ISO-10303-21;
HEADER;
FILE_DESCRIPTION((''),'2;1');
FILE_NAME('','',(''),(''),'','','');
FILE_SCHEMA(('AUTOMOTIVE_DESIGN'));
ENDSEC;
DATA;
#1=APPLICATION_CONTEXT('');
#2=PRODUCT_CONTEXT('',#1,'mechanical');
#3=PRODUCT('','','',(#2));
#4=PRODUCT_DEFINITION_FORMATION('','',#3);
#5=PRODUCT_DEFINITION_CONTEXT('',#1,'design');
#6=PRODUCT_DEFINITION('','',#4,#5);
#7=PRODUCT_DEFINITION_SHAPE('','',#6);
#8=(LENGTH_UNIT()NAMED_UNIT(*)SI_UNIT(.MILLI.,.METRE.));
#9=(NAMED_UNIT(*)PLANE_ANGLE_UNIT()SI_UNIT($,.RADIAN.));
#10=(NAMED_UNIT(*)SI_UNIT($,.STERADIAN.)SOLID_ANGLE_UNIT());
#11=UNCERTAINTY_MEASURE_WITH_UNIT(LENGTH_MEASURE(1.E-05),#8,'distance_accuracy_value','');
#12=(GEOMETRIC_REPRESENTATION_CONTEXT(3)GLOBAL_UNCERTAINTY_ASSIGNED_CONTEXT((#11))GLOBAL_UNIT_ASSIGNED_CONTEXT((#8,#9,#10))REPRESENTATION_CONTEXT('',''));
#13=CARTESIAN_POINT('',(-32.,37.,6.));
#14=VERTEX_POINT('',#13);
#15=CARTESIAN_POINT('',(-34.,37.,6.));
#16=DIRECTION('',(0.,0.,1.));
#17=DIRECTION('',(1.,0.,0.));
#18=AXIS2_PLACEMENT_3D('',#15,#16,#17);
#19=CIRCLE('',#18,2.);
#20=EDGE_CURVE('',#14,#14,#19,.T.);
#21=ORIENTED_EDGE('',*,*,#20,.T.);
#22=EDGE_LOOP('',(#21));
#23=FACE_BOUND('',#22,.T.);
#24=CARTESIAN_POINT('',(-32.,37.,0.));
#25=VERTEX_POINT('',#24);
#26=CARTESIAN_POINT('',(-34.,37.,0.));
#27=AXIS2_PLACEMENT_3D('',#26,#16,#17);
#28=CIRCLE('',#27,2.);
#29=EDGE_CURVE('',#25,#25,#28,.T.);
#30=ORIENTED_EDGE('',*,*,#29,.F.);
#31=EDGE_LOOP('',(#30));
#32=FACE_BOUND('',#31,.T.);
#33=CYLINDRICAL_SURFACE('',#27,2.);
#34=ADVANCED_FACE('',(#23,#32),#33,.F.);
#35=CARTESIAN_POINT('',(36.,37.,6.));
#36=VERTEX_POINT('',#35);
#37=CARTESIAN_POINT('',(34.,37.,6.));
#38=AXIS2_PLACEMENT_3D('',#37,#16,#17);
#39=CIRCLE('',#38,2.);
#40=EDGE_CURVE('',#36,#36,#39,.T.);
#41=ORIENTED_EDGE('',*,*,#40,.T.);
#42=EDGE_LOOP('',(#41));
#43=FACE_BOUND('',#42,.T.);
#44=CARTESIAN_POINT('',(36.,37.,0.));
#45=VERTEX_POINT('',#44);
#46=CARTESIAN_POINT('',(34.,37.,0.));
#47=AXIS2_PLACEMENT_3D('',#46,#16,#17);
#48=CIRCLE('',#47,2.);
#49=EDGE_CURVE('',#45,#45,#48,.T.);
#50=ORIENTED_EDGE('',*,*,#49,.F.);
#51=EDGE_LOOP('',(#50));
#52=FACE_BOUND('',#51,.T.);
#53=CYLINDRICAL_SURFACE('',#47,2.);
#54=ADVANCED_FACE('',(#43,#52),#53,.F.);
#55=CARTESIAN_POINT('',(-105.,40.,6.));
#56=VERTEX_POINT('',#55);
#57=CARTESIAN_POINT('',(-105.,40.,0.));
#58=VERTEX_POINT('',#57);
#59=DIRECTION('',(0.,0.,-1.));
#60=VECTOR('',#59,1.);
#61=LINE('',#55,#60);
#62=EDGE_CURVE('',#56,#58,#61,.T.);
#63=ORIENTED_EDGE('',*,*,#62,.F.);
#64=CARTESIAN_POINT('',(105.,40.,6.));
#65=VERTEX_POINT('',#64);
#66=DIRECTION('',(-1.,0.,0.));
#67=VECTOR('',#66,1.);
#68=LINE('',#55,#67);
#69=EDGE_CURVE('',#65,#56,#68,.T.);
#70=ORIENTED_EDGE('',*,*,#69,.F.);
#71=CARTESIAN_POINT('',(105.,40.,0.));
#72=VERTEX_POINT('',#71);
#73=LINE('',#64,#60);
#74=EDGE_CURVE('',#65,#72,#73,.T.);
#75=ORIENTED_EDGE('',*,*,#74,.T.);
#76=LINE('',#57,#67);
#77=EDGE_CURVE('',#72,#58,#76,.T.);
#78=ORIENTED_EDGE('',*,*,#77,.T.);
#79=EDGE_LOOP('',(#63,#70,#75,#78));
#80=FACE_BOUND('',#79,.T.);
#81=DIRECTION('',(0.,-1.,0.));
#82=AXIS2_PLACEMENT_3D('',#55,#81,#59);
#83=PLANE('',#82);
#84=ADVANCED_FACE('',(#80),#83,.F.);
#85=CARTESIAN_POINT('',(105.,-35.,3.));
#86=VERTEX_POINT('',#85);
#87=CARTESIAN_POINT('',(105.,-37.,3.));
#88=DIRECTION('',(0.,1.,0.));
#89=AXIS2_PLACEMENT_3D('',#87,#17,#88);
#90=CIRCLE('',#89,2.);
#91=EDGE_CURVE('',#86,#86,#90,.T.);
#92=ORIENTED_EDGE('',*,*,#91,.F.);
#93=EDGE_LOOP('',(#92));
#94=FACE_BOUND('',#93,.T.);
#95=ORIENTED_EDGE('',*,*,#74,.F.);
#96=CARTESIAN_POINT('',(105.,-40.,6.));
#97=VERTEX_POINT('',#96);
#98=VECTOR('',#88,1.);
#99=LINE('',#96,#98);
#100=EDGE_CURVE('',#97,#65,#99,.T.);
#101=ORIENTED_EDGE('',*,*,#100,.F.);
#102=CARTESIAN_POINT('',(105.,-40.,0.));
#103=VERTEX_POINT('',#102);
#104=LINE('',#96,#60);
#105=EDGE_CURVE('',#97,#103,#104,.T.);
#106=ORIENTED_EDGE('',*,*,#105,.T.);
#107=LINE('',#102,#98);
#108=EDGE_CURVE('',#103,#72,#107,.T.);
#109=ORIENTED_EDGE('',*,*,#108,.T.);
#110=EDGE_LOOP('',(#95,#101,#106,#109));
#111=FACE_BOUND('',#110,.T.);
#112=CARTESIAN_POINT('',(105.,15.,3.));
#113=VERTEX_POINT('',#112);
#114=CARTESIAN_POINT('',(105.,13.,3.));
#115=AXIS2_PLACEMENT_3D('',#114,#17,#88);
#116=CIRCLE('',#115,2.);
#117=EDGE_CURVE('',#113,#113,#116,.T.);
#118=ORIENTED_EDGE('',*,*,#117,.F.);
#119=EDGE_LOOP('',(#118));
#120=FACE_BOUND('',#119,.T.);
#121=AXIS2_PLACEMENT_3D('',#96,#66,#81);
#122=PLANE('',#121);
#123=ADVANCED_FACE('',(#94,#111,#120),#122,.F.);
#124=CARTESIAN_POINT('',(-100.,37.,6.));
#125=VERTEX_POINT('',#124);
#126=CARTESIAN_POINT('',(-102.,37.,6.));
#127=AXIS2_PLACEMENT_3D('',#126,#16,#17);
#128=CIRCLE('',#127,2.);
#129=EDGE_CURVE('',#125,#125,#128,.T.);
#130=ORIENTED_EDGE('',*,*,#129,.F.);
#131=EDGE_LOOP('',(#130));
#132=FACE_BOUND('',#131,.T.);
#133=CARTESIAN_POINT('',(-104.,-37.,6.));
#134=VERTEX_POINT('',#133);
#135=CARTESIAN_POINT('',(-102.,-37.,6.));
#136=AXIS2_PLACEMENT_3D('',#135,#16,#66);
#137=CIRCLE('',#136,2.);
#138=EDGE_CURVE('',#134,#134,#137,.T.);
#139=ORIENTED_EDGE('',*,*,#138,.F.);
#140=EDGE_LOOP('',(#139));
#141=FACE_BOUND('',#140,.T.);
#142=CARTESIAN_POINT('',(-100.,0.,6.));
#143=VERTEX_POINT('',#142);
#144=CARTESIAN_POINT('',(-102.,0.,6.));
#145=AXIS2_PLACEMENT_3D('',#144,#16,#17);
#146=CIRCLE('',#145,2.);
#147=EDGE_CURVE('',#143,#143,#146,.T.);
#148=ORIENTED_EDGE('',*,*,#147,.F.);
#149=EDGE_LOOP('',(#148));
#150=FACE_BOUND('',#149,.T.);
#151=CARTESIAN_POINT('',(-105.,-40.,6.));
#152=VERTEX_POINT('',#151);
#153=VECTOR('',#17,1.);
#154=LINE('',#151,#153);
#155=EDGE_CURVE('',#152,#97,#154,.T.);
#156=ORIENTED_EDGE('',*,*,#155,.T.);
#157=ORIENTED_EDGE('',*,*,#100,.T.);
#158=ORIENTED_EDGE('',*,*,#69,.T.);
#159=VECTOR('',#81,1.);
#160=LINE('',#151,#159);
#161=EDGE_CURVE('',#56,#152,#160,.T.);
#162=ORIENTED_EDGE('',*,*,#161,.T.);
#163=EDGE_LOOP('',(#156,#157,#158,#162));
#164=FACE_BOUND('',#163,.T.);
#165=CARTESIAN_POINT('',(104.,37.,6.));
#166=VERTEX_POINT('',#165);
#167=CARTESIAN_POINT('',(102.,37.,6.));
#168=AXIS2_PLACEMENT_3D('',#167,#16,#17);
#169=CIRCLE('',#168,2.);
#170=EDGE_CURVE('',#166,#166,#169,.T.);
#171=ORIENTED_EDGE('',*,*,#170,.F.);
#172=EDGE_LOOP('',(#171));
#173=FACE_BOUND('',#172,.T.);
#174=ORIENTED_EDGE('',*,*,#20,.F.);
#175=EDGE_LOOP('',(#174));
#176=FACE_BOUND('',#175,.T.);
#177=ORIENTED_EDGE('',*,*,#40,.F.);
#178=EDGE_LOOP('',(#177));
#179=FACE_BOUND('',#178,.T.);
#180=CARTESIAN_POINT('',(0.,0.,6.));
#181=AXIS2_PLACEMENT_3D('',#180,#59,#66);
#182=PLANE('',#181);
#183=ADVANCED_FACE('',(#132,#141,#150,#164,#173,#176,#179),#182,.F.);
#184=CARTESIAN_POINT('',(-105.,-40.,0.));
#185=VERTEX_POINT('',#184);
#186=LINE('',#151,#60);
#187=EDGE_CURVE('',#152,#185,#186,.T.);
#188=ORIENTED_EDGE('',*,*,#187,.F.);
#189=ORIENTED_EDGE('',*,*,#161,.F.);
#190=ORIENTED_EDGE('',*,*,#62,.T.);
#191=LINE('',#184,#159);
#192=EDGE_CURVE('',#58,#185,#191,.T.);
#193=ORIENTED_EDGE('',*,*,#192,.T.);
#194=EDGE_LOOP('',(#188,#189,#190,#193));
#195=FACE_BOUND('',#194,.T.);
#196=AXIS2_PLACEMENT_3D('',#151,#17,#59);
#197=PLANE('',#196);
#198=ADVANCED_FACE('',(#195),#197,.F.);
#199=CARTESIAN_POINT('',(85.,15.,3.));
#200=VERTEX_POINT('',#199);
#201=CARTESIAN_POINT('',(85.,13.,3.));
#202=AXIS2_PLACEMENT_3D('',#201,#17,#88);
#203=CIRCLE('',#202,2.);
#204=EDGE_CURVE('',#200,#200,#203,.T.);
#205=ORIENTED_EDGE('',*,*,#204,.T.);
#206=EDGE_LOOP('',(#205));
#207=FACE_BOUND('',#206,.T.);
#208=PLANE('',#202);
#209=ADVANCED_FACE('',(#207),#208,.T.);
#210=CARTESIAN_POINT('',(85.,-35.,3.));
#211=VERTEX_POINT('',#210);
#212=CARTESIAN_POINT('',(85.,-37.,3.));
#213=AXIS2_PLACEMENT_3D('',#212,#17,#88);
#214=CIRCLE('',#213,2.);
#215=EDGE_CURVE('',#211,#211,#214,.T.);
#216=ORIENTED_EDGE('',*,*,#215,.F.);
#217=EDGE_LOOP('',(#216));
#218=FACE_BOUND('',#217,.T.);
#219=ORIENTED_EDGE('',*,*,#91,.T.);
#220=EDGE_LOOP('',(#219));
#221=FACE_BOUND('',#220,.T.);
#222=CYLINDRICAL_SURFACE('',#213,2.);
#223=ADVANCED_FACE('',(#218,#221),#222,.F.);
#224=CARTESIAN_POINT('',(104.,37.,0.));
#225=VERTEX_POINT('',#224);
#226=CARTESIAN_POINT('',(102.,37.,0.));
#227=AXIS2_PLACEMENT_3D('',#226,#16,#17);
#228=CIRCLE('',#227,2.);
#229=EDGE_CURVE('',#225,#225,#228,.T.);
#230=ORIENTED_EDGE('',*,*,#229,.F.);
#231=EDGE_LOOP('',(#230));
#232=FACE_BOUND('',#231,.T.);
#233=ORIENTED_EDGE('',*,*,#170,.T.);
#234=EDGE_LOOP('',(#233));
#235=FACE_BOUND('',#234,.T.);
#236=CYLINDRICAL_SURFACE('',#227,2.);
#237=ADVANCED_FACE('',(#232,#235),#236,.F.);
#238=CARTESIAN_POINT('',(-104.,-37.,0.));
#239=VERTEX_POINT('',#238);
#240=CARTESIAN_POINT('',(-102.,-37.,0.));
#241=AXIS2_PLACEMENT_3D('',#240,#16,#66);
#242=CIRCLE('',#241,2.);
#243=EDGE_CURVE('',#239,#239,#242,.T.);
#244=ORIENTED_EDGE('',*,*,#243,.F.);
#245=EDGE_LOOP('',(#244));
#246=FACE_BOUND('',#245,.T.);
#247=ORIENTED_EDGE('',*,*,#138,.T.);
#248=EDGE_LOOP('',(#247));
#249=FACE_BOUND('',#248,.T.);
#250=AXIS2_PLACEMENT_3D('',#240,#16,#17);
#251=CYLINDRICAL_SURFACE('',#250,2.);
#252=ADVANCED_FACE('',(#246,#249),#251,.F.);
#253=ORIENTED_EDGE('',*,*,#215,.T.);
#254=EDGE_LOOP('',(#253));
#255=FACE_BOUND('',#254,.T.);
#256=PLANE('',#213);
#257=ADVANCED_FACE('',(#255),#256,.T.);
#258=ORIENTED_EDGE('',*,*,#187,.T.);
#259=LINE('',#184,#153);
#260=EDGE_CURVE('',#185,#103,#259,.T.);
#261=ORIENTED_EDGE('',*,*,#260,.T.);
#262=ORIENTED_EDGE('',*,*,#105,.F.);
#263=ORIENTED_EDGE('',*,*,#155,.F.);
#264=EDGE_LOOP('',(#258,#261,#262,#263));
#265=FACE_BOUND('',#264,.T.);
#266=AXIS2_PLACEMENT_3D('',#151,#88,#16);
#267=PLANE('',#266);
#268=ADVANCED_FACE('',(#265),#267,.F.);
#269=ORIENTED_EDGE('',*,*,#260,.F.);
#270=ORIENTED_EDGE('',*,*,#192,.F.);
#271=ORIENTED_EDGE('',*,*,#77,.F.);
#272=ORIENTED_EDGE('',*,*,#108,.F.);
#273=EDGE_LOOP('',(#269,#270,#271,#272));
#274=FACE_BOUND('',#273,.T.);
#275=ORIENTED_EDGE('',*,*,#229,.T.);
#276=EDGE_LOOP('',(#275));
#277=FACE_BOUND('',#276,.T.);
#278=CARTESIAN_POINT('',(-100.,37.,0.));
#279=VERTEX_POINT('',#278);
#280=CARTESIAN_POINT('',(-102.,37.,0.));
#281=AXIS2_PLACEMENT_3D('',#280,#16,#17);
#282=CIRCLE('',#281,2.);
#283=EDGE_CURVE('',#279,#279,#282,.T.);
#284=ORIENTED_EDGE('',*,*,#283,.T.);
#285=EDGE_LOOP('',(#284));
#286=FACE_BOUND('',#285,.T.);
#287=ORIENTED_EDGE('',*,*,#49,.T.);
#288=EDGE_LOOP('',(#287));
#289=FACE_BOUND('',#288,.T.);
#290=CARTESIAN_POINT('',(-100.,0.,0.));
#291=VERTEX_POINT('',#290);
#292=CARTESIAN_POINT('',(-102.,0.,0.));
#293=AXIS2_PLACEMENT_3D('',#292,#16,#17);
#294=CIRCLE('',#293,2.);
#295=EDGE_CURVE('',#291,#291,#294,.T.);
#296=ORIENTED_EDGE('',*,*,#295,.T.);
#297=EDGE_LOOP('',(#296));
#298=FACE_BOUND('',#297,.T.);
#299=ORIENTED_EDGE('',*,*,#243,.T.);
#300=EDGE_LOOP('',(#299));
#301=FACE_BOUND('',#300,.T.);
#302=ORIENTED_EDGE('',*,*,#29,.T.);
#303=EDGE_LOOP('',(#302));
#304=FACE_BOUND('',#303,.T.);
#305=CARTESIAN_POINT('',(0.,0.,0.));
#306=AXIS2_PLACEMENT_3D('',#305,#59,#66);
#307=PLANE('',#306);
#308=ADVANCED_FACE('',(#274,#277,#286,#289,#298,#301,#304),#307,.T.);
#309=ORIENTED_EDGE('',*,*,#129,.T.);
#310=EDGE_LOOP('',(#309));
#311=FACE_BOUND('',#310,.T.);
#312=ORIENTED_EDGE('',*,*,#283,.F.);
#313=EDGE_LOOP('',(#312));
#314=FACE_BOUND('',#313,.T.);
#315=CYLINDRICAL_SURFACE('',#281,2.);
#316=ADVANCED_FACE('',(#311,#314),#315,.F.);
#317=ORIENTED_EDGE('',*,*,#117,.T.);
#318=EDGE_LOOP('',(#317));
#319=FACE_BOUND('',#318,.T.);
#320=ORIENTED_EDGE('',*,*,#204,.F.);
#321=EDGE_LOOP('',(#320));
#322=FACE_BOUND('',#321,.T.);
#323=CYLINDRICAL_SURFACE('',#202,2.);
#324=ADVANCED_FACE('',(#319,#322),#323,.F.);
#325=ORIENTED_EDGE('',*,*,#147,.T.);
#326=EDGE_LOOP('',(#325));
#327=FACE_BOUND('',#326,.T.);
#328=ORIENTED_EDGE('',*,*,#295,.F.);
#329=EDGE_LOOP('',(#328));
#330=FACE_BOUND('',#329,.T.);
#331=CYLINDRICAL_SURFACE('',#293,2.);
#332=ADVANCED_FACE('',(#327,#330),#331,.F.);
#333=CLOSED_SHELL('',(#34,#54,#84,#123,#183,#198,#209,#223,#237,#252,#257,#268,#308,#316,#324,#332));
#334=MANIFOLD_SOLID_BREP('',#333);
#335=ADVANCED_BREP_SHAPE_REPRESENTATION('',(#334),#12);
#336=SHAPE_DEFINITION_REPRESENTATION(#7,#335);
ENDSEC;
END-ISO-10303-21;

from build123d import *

# Parameters (mm, degrees)
SKETCH_1_W          = 210
SKETCH_1_H          = 80
EXTRUDE_1_DEPTH     = 6
SKETCH_2_R          = 2
CUT_EXTRUDE_1_DEPTH = 6
SKETCH_3_R          = 2
CUT_EXTRUDE_2_DEPTH = 20


with BuildPart() as part:
    # 草图1 → 凸台-拉伸1 (new body)
    with BuildSketch(Plane.XY):
        Rectangle(SKETCH_1_W, SKETCH_1_H)
    extrude(amount=EXTRUDE_1_DEPTH)

    # 草图2 → 切除-拉伸1 (cut)
    with BuildSketch(Plane.XY.offset(6)):
        with Locations((-102, 0)):
            Circle(SKETCH_2_R)
        with Locations((-102, 37)):
            Circle(SKETCH_2_R)
        with Locations((-102, -37)):
            Circle(SKETCH_2_R)
        with Locations((-34, 37)):
            Circle(SKETCH_2_R)
        with Locations((34, 37)):
            Circle(SKETCH_2_R)
        with Locations((102, 37)):
            Circle(SKETCH_2_R)
    extrude(amount=-CUT_EXTRUDE_1_DEPTH, mode=Mode.SUBTRACT)

    # 草图3 → 切除-拉伸2 (cut)
    with BuildSketch(Plane(origin=(105, 0, 0), x_dir=(0, 0, -1), z_dir=(1, 0, 0))):
        with Locations((-3, -37)):
            Circle(SKETCH_3_R)
        with Locations((-3, 13)):
            Circle(SKETCH_3_R)
    extrude(amount=-CUT_EXTRUDE_2_DEPTH, mode=Mode.SUBTRACT)


solid = part.part
